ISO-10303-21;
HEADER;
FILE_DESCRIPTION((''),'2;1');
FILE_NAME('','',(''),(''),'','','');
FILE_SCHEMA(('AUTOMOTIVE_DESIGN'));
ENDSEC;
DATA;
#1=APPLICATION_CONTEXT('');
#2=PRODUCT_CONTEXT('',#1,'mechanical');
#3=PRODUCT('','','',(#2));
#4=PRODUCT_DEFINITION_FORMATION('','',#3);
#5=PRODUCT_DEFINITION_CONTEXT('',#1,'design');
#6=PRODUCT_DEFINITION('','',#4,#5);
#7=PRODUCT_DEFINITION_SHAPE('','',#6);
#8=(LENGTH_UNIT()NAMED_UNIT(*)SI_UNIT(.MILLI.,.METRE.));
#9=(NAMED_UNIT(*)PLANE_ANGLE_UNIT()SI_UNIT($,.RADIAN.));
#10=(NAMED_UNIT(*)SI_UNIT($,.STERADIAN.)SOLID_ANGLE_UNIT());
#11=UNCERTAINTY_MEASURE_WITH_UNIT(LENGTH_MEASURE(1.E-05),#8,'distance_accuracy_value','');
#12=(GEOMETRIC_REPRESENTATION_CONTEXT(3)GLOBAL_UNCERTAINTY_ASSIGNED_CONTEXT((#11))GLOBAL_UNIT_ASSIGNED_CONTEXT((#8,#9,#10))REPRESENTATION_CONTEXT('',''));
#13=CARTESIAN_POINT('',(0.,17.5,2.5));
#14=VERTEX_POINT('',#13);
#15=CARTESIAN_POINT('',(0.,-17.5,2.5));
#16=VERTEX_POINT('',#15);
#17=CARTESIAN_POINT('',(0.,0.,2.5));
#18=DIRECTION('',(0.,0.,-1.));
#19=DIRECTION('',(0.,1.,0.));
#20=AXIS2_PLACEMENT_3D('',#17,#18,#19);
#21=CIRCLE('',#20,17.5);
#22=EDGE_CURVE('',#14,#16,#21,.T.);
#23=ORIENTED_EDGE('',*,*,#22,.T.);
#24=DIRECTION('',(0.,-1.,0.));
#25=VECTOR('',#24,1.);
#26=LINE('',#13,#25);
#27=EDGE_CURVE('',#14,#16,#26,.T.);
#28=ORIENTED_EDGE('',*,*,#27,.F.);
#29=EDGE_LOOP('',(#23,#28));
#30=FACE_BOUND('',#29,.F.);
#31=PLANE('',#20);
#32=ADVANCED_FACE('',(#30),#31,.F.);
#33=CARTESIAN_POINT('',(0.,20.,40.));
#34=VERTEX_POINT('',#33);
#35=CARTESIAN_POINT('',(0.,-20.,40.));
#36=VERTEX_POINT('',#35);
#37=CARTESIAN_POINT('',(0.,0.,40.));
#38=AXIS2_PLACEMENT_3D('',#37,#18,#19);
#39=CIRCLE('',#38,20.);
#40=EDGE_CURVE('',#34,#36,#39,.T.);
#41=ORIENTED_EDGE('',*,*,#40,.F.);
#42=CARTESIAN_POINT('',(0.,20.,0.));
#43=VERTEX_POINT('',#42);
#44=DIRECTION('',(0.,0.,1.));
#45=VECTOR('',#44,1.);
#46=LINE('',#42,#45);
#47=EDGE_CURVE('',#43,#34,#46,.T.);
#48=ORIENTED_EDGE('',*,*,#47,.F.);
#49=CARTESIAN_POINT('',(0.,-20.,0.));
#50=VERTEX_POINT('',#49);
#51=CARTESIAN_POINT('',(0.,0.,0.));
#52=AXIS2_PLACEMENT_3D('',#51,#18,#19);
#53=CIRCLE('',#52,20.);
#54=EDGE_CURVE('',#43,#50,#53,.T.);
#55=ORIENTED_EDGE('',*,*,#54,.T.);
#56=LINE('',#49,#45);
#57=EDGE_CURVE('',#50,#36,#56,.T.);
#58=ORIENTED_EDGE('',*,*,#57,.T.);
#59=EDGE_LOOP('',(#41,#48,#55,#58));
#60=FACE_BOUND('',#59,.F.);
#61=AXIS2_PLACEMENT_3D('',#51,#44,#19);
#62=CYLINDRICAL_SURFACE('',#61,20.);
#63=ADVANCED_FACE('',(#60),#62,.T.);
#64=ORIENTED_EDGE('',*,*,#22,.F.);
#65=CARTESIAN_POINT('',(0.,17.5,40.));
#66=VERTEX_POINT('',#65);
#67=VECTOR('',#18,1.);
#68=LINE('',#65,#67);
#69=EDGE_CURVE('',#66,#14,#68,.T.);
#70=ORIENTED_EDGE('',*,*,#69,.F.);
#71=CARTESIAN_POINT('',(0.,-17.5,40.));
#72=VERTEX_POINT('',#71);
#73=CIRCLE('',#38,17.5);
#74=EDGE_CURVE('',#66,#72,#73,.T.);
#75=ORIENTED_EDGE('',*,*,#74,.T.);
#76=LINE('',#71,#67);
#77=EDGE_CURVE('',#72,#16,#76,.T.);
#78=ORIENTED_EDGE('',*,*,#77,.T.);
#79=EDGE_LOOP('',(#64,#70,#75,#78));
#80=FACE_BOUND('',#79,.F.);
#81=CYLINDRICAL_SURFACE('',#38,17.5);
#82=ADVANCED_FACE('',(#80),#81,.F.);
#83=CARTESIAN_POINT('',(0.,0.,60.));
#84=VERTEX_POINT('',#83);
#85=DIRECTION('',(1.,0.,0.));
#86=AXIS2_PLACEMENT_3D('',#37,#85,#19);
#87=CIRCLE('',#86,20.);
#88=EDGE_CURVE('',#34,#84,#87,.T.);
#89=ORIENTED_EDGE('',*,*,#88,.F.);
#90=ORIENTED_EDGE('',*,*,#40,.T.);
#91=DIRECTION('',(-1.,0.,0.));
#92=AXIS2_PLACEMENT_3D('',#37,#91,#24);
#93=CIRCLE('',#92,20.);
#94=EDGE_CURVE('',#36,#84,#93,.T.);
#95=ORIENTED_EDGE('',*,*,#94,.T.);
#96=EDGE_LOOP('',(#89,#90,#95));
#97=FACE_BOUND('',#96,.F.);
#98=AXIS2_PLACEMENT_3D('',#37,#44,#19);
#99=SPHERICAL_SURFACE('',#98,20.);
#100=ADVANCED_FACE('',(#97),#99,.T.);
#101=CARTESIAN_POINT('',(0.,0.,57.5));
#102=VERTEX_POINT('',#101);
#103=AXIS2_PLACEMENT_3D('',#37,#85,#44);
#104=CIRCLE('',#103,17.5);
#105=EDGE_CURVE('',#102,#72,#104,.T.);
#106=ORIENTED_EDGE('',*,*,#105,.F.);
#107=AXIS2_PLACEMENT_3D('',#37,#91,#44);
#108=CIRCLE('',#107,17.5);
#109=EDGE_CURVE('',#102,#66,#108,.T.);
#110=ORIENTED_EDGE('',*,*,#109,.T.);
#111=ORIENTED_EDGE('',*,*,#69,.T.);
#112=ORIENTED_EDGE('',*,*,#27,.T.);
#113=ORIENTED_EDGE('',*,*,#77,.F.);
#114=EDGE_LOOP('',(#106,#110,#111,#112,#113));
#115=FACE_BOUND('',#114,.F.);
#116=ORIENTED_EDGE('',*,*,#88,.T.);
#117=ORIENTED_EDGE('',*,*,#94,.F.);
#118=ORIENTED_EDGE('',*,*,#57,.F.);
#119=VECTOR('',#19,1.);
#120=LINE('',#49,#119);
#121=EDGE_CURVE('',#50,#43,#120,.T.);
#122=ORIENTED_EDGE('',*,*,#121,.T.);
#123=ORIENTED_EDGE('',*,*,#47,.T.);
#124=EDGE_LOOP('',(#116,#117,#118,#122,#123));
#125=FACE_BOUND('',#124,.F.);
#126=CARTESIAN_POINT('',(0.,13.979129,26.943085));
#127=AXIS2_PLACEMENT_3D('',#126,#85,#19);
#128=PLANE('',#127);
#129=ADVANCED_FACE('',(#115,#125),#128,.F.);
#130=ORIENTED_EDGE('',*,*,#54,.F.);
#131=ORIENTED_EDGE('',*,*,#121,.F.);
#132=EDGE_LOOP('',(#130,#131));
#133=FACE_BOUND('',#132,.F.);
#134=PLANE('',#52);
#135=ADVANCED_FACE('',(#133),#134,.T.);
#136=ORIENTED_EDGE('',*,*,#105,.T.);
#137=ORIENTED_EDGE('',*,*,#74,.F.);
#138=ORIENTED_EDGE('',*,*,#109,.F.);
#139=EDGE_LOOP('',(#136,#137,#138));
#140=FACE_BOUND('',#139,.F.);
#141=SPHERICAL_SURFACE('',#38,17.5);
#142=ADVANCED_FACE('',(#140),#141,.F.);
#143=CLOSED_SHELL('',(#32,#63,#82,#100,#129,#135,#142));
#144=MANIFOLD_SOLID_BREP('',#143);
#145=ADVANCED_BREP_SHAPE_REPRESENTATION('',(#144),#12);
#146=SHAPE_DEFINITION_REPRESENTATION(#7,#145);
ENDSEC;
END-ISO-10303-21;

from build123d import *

# Parameters (mm, degrees)
F1_ANGLE_BACK = 90
F1_ANGLE      = 180


with BuildPart() as f1:
    # F0 (on Front) → F1 (revolve)
    with BuildSketch(Plane.XZ, mode=Mode.PRIVATE) as f1_sk:
        with BuildLine():
            Line((0, 2.5), (0, 0))
            Line((0, 0), (20, 0))
            Line((20, 0), (20, 40))
            ThreePointArc((20, 40), (14.1421356237, 54.1421356237), (0, 60))
            Line((0, 60), (0, 57.5))
            ThreePointArc((0, 57.5), (12.3743686708, 52.3743686708), (17.5, 40))
            Line((17.5, 40), (17.5, 2.5))
            Line((17.5, 2.5), (0, 2.5))
        make_face()
    revolve(f1_sk.sketch.rotate(Axis((0, 0, 1.25), (0, 0, -1)), -F1_ANGLE_BACK), axis=Axis((0, 0, 1.25), (0, 0, -1)), revolution_arc=F1_ANGLE)


solid = f1.part
